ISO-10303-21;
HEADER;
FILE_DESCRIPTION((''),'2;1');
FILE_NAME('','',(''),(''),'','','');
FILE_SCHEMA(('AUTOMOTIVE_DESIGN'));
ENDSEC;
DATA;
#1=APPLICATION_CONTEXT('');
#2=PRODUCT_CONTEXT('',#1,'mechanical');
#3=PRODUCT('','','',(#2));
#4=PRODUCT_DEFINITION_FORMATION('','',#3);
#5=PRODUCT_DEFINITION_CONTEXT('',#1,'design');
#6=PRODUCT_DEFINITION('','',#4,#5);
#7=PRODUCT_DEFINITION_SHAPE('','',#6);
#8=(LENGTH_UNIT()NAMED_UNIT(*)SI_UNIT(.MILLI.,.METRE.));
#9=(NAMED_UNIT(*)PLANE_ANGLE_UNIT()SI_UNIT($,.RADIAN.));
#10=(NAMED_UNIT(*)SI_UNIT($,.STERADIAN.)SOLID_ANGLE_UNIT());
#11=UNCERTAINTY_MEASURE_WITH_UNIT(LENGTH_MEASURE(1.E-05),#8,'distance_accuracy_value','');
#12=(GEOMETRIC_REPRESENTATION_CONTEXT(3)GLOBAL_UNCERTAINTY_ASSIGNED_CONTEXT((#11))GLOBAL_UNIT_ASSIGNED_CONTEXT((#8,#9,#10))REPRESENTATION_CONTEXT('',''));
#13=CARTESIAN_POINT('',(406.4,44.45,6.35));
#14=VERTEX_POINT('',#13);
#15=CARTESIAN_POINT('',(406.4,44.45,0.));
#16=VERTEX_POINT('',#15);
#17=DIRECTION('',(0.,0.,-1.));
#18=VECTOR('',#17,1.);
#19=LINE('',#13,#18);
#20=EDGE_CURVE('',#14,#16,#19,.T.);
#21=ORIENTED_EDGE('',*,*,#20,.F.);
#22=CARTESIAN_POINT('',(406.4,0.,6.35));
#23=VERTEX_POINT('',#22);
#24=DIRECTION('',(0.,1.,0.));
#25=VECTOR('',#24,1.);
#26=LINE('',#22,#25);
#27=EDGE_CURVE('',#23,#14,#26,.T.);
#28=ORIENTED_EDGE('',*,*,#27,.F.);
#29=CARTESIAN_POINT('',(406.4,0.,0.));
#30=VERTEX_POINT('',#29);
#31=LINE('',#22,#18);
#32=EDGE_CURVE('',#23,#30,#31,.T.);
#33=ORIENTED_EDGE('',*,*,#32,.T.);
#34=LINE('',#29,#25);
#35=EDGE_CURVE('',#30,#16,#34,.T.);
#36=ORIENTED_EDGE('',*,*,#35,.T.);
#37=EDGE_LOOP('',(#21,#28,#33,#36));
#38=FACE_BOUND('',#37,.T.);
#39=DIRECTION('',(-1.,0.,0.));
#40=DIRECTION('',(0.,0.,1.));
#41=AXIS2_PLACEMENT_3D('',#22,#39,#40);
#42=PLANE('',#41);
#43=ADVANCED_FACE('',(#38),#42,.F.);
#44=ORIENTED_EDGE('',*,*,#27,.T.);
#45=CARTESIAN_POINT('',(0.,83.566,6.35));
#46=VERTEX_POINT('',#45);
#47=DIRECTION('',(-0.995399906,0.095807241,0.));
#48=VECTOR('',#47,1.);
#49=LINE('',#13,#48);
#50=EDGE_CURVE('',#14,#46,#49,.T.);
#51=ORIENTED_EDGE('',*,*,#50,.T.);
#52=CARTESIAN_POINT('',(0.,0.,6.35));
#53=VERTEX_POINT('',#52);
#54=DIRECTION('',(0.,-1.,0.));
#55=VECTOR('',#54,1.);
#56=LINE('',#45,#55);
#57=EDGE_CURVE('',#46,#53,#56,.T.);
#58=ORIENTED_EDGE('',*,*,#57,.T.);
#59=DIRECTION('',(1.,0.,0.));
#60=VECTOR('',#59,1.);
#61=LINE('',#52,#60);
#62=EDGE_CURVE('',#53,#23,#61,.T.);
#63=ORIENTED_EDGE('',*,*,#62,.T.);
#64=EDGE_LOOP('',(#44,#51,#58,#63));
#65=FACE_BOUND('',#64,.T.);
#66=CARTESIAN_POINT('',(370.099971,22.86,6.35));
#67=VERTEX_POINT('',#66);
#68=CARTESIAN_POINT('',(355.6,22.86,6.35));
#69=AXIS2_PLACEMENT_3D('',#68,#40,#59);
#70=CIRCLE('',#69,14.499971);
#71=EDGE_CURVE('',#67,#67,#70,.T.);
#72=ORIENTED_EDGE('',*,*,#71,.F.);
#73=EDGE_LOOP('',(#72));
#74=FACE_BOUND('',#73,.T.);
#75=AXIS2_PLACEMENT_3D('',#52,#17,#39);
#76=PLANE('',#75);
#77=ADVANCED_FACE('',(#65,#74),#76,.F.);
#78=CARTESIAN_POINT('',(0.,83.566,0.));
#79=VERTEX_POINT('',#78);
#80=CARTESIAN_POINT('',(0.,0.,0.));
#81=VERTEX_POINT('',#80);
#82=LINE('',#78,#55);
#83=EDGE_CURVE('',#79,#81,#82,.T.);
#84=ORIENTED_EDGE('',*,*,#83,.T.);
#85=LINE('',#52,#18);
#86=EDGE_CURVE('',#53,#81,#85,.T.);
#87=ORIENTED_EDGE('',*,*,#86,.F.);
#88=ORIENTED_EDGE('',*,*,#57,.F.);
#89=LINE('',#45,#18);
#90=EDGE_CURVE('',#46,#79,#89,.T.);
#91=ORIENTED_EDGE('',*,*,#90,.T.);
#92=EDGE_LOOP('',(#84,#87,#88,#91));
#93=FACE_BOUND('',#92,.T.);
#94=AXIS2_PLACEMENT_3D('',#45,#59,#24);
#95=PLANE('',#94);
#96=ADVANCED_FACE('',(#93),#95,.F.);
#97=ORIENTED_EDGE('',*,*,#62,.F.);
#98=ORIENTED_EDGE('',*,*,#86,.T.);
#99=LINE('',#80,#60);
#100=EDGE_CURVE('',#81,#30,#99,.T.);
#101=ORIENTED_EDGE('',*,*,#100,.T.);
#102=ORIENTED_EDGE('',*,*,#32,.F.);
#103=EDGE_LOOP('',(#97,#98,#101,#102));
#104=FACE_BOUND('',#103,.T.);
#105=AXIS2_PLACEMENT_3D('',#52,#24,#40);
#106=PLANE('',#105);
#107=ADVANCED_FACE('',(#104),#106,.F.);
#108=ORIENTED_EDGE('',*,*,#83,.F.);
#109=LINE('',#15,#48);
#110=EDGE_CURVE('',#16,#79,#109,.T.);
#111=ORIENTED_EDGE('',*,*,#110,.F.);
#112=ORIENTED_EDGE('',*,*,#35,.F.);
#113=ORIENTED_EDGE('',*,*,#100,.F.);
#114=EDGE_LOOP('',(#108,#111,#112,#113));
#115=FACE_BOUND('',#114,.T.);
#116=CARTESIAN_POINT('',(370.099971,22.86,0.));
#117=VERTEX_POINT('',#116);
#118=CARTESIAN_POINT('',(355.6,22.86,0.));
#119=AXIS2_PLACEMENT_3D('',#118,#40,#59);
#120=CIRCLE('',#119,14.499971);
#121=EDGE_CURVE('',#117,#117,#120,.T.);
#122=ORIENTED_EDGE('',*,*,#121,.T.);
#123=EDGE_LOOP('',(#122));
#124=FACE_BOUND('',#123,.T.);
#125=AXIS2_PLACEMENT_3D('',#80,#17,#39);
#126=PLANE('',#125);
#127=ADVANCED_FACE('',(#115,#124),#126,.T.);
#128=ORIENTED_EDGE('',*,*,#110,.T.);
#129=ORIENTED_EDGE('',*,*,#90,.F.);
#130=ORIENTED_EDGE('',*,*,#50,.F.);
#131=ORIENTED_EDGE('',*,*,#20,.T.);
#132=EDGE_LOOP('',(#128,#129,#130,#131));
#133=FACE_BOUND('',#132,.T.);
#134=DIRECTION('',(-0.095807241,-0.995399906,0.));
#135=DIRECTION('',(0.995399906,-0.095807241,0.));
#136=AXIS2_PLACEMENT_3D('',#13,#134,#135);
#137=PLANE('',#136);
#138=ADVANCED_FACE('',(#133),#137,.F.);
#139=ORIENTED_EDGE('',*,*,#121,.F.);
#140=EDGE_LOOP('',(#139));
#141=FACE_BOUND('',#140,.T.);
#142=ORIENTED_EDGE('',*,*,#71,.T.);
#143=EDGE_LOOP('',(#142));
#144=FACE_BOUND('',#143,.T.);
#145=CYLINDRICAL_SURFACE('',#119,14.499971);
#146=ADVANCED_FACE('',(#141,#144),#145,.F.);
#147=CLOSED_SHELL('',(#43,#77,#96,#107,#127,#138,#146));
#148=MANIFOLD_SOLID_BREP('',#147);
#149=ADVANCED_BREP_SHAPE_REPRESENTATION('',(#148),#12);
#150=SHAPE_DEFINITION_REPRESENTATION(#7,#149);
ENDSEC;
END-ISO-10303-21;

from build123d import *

# Parameters (mm, degrees)
BOSS_EXTRUDE1_DEPTH = 6.35
SKETCH2_R           = 14.499971
CUT_EXTRUDE1_DEPTH  = 6.35


with BuildPart() as part:
    # Sketch1 → Boss-Extrude1 (new body)
    with BuildSketch(Plane.XY):
        Polygon((0, 0), (406.4, 0), (406.4, 44.45), (0, 83.566), align=None)
    extrude(amount=BOSS_EXTRUDE1_DEPTH)

    # Sketch2 → Cut-Extrude1 (cut)
    with BuildSketch(Plane.XY.offset(6.35)):
        with Locations((355.6, 22.86)):
            Circle(SKETCH2_R)
    extrude(amount=-CUT_EXTRUDE1_DEPTH, mode=Mode.SUBTRACT)


solid = part.part
